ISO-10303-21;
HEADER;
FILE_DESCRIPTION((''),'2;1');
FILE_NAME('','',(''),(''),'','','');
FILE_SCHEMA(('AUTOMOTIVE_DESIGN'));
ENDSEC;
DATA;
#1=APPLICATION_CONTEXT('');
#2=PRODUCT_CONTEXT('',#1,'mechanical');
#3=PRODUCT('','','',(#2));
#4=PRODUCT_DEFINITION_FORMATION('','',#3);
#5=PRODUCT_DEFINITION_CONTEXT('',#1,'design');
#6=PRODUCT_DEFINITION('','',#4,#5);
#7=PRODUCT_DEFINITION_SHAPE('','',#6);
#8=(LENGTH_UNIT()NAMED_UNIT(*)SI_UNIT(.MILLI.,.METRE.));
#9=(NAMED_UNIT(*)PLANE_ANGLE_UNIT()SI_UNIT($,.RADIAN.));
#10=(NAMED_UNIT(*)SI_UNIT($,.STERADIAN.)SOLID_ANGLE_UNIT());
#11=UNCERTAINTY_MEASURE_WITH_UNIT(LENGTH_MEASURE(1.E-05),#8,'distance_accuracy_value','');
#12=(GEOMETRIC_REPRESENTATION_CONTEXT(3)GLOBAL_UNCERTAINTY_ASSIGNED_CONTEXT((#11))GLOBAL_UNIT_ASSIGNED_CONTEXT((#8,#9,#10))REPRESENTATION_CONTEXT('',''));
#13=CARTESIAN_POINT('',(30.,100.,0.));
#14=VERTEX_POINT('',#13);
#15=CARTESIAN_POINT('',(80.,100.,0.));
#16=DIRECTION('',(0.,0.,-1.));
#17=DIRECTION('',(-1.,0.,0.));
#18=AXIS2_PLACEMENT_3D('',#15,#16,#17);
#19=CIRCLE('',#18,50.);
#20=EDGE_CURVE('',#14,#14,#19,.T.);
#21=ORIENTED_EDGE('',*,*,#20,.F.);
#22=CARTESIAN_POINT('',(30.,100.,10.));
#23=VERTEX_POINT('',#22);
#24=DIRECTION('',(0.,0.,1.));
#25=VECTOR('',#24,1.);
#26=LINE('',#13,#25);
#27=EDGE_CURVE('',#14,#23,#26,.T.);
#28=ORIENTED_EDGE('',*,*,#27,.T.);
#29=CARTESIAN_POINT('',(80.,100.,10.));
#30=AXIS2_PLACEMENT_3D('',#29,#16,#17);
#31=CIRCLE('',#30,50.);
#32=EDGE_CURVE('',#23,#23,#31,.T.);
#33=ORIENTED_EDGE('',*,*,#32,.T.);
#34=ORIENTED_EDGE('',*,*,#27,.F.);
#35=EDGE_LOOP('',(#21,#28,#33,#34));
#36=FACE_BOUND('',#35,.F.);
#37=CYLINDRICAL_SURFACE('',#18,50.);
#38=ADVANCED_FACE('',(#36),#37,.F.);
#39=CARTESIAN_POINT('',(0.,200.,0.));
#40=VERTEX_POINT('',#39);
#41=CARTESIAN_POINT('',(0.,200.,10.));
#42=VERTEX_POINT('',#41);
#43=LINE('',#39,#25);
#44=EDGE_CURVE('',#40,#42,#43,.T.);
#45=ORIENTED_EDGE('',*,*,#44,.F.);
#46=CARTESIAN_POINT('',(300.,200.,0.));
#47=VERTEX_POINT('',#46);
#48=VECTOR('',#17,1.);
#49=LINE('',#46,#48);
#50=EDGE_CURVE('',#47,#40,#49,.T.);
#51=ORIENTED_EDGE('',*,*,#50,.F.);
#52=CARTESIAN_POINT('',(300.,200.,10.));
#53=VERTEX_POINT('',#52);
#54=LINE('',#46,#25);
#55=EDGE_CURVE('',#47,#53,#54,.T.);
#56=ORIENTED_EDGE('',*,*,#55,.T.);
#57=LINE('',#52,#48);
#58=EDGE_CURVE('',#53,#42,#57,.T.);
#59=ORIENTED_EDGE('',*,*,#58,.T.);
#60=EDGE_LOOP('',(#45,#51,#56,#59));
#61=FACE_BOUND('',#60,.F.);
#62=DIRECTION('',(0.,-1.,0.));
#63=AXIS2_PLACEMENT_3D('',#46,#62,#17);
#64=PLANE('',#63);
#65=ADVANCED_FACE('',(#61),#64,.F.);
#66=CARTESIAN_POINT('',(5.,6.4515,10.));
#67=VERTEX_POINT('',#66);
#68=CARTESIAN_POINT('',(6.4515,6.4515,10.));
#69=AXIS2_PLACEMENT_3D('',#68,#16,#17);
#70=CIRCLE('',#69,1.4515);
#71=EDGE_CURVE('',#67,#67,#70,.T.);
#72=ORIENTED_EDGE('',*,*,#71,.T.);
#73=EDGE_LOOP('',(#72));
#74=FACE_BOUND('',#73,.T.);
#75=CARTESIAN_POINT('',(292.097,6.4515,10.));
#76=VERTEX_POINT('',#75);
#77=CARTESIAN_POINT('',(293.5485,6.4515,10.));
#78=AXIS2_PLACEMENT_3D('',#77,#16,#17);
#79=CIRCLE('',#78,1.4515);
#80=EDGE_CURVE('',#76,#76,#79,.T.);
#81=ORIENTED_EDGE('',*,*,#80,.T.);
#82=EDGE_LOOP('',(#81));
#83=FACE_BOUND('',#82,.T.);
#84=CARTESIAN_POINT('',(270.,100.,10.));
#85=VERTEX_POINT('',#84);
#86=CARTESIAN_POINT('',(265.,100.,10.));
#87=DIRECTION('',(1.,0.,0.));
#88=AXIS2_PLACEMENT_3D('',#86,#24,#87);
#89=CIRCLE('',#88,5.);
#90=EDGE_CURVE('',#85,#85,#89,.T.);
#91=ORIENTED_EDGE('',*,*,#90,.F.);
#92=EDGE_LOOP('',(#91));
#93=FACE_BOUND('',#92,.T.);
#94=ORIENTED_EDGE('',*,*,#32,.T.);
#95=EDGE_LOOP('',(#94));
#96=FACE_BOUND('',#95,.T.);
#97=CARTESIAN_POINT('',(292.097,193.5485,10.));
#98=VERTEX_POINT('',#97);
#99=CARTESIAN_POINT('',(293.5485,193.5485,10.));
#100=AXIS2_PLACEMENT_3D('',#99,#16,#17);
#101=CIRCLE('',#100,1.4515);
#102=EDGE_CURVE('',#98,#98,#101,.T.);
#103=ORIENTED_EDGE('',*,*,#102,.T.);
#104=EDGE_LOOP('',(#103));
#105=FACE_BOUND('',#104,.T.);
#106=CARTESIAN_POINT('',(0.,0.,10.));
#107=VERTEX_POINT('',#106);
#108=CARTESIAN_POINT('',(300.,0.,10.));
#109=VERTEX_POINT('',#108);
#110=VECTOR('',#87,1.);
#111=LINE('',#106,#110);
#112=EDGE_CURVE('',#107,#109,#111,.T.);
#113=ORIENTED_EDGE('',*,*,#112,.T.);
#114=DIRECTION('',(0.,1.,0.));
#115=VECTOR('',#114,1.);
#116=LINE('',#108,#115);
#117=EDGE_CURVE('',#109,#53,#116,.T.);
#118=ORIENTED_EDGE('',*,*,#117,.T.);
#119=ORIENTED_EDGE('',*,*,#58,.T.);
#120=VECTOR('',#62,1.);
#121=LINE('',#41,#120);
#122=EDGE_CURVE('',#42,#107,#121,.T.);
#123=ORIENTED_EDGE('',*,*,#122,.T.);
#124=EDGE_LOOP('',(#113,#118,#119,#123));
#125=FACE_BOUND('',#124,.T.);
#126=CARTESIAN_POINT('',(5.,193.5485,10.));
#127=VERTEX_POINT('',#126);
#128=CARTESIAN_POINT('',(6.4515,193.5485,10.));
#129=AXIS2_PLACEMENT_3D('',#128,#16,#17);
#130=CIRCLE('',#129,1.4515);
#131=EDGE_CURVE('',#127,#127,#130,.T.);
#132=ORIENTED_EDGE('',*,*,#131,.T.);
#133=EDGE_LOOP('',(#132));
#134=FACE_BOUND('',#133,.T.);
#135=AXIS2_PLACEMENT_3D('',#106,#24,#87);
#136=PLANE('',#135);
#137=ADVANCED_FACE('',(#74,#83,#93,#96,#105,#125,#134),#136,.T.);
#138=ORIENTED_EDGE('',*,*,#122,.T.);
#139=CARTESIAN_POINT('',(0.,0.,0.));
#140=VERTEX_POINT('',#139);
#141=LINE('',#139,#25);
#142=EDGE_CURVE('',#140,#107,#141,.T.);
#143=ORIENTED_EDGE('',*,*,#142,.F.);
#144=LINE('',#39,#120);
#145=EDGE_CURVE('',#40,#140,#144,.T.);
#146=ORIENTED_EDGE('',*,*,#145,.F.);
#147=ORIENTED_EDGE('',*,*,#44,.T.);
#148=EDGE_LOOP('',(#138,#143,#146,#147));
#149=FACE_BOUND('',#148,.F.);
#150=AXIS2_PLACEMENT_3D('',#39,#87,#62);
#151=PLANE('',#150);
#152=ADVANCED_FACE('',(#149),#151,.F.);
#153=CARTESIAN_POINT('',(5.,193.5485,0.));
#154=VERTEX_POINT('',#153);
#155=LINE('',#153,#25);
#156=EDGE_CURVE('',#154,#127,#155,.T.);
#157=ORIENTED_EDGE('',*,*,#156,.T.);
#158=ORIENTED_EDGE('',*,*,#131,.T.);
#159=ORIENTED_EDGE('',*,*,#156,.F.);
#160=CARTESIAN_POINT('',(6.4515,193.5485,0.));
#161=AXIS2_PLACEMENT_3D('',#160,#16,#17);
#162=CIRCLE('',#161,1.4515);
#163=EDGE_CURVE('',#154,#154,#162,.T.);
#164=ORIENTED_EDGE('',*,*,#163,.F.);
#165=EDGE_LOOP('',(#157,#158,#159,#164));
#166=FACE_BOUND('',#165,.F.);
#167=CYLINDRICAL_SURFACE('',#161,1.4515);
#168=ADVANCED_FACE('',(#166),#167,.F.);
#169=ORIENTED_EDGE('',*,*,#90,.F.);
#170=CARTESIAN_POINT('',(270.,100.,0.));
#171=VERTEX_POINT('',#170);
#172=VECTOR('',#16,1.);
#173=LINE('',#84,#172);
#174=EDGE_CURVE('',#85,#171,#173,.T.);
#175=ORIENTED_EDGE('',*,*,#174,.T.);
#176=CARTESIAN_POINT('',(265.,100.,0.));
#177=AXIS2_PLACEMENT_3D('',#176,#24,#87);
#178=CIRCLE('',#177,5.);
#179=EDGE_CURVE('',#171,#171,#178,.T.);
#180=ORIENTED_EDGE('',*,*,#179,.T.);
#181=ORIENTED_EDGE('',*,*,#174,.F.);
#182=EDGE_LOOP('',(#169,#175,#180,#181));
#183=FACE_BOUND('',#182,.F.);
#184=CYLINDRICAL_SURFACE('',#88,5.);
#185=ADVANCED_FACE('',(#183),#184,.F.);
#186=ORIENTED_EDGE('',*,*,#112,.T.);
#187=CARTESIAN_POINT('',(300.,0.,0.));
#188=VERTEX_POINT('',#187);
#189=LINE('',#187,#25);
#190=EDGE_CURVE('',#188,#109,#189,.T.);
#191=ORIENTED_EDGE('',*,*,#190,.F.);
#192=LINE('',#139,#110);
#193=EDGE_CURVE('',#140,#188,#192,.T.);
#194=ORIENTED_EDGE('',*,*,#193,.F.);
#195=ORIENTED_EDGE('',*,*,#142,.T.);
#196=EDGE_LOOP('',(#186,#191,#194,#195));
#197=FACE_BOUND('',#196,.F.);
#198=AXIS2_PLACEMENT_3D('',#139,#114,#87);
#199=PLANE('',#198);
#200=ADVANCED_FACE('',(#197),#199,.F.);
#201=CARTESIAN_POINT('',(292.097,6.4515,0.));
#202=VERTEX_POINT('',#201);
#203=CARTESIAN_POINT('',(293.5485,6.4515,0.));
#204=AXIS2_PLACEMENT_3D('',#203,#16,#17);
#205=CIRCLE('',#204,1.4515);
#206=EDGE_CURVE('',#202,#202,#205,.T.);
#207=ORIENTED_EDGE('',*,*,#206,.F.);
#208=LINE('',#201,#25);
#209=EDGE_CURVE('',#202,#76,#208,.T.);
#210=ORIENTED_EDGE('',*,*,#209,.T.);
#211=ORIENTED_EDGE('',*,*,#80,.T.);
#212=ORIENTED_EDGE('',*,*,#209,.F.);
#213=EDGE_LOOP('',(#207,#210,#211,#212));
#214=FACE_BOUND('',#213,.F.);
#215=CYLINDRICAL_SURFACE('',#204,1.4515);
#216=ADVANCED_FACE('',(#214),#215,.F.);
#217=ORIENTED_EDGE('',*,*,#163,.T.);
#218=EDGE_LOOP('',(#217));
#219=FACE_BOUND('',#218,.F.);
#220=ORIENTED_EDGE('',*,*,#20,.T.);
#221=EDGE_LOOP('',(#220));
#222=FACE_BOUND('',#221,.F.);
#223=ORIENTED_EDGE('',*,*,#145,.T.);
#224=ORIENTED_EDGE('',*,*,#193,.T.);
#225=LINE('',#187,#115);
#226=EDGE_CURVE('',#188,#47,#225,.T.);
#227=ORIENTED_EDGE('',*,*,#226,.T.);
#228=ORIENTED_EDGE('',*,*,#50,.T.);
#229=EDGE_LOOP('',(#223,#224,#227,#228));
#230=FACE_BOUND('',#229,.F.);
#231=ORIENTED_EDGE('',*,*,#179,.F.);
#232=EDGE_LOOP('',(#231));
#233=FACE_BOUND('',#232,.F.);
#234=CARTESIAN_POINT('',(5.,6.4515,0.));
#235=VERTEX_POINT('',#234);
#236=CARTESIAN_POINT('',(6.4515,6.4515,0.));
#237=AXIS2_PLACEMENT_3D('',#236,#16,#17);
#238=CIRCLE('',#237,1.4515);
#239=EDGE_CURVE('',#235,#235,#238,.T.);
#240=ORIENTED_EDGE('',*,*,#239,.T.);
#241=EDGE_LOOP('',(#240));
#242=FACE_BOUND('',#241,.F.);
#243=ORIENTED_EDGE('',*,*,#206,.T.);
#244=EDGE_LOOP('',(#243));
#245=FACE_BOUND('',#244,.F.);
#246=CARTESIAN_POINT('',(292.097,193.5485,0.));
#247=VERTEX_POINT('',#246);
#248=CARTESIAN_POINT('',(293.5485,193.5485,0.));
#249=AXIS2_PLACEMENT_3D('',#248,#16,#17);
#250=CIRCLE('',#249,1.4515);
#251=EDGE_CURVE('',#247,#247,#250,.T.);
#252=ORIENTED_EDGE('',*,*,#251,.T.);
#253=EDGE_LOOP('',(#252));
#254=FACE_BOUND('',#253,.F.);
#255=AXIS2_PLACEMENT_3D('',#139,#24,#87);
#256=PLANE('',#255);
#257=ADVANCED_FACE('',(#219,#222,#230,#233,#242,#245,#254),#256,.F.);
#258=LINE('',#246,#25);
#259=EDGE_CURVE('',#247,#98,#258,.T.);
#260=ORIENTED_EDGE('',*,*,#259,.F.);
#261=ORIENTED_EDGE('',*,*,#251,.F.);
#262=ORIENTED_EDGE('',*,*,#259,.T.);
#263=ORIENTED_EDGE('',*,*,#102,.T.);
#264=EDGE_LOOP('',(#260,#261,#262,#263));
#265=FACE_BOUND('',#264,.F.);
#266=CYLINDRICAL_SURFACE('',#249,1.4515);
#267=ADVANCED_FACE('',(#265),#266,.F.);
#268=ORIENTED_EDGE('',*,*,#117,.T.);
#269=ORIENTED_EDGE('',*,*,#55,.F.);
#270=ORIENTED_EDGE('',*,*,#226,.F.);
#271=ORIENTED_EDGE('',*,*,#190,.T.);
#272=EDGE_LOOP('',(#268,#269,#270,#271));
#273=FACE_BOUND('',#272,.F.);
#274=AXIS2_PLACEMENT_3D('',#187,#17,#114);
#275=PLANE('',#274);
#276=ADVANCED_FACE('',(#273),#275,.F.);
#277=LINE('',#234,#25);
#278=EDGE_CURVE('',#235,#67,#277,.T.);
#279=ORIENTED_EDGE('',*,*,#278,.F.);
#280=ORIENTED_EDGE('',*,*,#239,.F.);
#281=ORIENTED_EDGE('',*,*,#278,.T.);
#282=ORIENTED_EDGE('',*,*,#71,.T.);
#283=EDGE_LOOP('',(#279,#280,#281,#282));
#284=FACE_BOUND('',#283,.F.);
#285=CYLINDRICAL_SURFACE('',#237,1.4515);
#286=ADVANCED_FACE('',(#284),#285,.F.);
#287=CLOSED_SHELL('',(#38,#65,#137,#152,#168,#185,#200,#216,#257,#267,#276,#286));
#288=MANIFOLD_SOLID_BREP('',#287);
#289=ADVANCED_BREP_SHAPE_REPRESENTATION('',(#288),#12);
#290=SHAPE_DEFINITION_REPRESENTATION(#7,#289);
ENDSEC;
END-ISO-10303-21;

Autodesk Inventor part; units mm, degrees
ref_plane "YZ Plane" through (0, 0, 0) normal (1, 0, 0) x (0, 1, 0)
ref_plane "XZ Plane" through (0, 0, 0) normal (0, 1, 0) x (-1, 0, 0)
ref_plane "XY Plane" through (0, 0, 0) normal (0, 0, 1) x (1, 0, 0)
sketch "Sketch1" plane through (0, 0, 0) normal (0, 0, 1) x (1, 0, 0)
  line L0 (0, 0) -> (300, 0)
  line L1 (300, 0) -> (300, 200)
  line L2 (300, 200) -> (0, 200)
  line L3 (0, 200) -> (0, 0)
  dimension "d0" = 300
  dimension "d1" = 200
extrude "Extrusion1" add sketch "Sketch1" along normal blind 10
sketch "Sketch2" plane through (0, 0, 0) normal (0, 0, -1) x (-1, 0, 0)
  circle A0 centre (-80, 100) radius 50
  line L0 (-300, 200) -> (0, 200) projected
  line L1 (0, 200) -> (0, 0) projected
  dimension "d4" = 100
  dimension "d5" = 100
  dimension "d6" = 80
extrude "Extrusion2" cut sketch "Sketch2" against normal through all
sketch "Sketch3" plane through (0, 0, 10) normal (0, 0, 1) x (1, 0, 0)
  point P0 (0, 0)
sketch "Sketch4" plane through (0, 0, 10) normal (0, 0, 1) x (1, 0, 0)
  circle A0 centre (265, 100) radius 5
  line L0 (0, 0) -> (300, 0) projected
  line L1 (300, 0) -> (300, 200) projected
  dimension "d9" = 10
  dimension "d10" = 100
  dimension "d11" = 30
extrude "Extrusion3" cut sketch "Sketch4" against normal through all
sketch "Sketch5" plane through (0, 0, 0) normal (0, 0, -1) x (-1, 0, 0)
  circle A0 centre (-6.4515, 6.4515) radius 1.4515
  circle A1 centre (-293.5485, 193.5485) radius 1.4515
  circle A2 centre (-293.5485, 6.4515) radius 1.4515
  line L0 (0, 200) -> (0, 0) projected
  line L1 (0, 0) -> (-300, 0) projected
  circle A3 centre (-6.4515, 193.5485) radius 1.4515
  line L2 (-300, 200) -> (0, 200) projected
  line L3 (-300, 0) -> (-300, 200) projected
  dimension "d14" = 2.903
  dimension "d16" = 2.903
  dimension "d17" = 2.903
  dimension "d18" = 5
  dimension "d19" = 5
  dimension "d20" = 2.903
  dimension "d21" = 5
  dimension "d22" = 5
  dimension "d23" = 5
  dimension "d24" = 5
  dimension "d25" = 5
  dimension "d26" = 5
extrude "Extrusion4" cut sketch "Sketch5" against normal through all contours A0 | A1 | A2 | A3
equation "\"BendRadius\" = Thickness"
equation "\"BendReliefWidth\" = Thickness"
equation "\"BendReliefDepth\" = 0.5 * Thickness"
equation "\"CornerReliefSize\" = 4 * Thickness"
equation "\"MinimumRemnant\" = 2 * Thickness"
equation "\"TransitionRadius\" = BendRadius"
equation "\"JacobiRadiusSize\" = BendRadius"
equation "\"GapSize\" = Thickness"
equation "\"Thickness\" = 0.5"
properties part number "base cap"
